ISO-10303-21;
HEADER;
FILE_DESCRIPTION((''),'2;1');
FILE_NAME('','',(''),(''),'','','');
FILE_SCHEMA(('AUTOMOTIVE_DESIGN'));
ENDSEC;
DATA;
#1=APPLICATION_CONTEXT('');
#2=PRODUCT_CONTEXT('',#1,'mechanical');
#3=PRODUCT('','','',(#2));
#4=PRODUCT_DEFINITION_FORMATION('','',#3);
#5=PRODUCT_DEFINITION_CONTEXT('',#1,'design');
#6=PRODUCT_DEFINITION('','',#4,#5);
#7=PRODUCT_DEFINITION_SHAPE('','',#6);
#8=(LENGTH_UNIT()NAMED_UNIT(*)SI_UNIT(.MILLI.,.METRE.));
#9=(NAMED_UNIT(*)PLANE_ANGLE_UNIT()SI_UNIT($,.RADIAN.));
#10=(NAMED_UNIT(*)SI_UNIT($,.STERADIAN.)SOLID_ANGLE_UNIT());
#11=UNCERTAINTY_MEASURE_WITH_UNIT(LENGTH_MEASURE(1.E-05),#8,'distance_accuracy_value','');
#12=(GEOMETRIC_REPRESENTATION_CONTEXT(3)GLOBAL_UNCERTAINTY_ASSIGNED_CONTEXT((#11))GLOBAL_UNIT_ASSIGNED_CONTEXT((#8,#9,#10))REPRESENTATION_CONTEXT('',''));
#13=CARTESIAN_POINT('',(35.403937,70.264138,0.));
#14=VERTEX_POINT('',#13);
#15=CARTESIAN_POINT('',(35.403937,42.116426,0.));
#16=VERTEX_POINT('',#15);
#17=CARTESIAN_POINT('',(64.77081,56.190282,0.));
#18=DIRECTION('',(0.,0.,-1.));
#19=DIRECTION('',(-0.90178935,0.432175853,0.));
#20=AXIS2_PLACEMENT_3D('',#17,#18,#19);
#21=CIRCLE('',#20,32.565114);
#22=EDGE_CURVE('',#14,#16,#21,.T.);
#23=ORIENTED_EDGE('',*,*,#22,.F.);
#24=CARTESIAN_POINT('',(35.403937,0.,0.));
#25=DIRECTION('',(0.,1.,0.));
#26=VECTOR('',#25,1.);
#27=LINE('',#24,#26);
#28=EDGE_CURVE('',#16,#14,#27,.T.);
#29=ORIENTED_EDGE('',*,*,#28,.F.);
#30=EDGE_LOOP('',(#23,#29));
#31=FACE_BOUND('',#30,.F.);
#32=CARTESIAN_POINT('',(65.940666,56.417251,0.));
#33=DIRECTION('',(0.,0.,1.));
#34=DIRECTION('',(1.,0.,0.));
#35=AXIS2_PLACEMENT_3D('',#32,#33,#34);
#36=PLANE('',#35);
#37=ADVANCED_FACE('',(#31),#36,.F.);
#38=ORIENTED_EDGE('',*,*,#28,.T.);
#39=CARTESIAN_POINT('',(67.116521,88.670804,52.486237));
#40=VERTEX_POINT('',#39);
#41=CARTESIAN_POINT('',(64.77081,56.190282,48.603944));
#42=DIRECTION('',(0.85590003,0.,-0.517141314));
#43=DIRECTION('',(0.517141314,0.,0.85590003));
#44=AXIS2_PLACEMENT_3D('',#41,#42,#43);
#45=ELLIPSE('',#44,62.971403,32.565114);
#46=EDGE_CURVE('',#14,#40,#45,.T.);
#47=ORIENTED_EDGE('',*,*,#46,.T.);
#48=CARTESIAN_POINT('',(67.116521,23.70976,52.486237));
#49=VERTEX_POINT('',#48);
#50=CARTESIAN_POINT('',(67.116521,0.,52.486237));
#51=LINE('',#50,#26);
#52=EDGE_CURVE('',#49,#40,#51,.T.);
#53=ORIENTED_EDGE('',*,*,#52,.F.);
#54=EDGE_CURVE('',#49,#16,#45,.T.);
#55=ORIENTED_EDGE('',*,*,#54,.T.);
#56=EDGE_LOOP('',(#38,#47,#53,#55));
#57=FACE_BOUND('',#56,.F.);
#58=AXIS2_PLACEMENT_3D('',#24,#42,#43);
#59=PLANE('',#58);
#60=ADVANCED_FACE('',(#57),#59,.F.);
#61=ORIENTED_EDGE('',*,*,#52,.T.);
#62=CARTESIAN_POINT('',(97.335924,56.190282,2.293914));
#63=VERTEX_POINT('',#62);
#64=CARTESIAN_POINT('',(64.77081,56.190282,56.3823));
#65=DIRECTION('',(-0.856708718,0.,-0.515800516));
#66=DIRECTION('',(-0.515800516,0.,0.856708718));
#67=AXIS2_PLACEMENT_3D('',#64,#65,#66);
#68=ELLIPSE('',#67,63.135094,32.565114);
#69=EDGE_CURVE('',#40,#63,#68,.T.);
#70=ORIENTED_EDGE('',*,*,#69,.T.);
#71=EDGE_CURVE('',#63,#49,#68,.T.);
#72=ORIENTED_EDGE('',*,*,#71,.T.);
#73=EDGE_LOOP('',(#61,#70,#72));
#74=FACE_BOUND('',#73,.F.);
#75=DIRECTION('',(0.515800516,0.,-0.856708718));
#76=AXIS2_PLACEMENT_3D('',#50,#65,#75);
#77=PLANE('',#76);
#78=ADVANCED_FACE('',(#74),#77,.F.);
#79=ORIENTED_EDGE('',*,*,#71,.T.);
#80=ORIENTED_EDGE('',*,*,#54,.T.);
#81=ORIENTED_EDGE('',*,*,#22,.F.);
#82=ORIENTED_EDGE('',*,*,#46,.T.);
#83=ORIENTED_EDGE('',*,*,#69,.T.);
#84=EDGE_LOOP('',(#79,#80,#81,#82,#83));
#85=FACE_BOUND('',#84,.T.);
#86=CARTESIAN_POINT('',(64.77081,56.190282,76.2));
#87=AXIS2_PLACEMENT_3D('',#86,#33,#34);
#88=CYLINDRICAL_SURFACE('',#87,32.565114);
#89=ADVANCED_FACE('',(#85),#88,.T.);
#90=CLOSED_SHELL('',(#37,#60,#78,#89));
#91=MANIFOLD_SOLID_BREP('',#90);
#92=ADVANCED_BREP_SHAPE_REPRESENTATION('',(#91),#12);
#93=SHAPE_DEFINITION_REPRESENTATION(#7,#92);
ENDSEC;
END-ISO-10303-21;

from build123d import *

# Parameters (mm, degrees)
F0_W     = 83.739126
F0_H     = 85.135351
F1_DEPTH = 76.2
F2_W     = 83.739126
F2_H     = 85.135351
F2_R     = 32.565114
F3_DEPTH = 76.2
F4_R     = 86.130148
F5_DEPTH = 152.4


with BuildPart() as f1:
    # F0 (on Top) → F1 (new body)
    with BuildSketch(Plane.XY):
        with Locations((65.940666, 56.417251)):
            Rectangle(F0_W, F0_H)
    extrude(amount=F1_DEPTH)

    # F2 (on face) → F3 (cut)
    with BuildSketch(Plane.XY.offset(76.2)):
        with Locations((65.940666, 56.417251)):
            Rectangle(F2_W, F2_H)
        with Locations((64.77081, 56.190282)):
            Circle(F2_R, mode=Mode.SUBTRACT)
    extrude(amount=-F3_DEPTH, mode=Mode.SUBTRACT)

    # F4 (on Front) → F5 (cut)
    with BuildSketch(Plane.XZ):
        with Locations((64.846843, 15.613325)):
            Circle(F4_R)
        Polygon((98.717026, 0), (35.403937, 0), (67.116521, 52.486237), align=None, mode=Mode.SUBTRACT)
    extrude(amount=-F5_DEPTH, mode=Mode.SUBTRACT)


solid = f1.part
